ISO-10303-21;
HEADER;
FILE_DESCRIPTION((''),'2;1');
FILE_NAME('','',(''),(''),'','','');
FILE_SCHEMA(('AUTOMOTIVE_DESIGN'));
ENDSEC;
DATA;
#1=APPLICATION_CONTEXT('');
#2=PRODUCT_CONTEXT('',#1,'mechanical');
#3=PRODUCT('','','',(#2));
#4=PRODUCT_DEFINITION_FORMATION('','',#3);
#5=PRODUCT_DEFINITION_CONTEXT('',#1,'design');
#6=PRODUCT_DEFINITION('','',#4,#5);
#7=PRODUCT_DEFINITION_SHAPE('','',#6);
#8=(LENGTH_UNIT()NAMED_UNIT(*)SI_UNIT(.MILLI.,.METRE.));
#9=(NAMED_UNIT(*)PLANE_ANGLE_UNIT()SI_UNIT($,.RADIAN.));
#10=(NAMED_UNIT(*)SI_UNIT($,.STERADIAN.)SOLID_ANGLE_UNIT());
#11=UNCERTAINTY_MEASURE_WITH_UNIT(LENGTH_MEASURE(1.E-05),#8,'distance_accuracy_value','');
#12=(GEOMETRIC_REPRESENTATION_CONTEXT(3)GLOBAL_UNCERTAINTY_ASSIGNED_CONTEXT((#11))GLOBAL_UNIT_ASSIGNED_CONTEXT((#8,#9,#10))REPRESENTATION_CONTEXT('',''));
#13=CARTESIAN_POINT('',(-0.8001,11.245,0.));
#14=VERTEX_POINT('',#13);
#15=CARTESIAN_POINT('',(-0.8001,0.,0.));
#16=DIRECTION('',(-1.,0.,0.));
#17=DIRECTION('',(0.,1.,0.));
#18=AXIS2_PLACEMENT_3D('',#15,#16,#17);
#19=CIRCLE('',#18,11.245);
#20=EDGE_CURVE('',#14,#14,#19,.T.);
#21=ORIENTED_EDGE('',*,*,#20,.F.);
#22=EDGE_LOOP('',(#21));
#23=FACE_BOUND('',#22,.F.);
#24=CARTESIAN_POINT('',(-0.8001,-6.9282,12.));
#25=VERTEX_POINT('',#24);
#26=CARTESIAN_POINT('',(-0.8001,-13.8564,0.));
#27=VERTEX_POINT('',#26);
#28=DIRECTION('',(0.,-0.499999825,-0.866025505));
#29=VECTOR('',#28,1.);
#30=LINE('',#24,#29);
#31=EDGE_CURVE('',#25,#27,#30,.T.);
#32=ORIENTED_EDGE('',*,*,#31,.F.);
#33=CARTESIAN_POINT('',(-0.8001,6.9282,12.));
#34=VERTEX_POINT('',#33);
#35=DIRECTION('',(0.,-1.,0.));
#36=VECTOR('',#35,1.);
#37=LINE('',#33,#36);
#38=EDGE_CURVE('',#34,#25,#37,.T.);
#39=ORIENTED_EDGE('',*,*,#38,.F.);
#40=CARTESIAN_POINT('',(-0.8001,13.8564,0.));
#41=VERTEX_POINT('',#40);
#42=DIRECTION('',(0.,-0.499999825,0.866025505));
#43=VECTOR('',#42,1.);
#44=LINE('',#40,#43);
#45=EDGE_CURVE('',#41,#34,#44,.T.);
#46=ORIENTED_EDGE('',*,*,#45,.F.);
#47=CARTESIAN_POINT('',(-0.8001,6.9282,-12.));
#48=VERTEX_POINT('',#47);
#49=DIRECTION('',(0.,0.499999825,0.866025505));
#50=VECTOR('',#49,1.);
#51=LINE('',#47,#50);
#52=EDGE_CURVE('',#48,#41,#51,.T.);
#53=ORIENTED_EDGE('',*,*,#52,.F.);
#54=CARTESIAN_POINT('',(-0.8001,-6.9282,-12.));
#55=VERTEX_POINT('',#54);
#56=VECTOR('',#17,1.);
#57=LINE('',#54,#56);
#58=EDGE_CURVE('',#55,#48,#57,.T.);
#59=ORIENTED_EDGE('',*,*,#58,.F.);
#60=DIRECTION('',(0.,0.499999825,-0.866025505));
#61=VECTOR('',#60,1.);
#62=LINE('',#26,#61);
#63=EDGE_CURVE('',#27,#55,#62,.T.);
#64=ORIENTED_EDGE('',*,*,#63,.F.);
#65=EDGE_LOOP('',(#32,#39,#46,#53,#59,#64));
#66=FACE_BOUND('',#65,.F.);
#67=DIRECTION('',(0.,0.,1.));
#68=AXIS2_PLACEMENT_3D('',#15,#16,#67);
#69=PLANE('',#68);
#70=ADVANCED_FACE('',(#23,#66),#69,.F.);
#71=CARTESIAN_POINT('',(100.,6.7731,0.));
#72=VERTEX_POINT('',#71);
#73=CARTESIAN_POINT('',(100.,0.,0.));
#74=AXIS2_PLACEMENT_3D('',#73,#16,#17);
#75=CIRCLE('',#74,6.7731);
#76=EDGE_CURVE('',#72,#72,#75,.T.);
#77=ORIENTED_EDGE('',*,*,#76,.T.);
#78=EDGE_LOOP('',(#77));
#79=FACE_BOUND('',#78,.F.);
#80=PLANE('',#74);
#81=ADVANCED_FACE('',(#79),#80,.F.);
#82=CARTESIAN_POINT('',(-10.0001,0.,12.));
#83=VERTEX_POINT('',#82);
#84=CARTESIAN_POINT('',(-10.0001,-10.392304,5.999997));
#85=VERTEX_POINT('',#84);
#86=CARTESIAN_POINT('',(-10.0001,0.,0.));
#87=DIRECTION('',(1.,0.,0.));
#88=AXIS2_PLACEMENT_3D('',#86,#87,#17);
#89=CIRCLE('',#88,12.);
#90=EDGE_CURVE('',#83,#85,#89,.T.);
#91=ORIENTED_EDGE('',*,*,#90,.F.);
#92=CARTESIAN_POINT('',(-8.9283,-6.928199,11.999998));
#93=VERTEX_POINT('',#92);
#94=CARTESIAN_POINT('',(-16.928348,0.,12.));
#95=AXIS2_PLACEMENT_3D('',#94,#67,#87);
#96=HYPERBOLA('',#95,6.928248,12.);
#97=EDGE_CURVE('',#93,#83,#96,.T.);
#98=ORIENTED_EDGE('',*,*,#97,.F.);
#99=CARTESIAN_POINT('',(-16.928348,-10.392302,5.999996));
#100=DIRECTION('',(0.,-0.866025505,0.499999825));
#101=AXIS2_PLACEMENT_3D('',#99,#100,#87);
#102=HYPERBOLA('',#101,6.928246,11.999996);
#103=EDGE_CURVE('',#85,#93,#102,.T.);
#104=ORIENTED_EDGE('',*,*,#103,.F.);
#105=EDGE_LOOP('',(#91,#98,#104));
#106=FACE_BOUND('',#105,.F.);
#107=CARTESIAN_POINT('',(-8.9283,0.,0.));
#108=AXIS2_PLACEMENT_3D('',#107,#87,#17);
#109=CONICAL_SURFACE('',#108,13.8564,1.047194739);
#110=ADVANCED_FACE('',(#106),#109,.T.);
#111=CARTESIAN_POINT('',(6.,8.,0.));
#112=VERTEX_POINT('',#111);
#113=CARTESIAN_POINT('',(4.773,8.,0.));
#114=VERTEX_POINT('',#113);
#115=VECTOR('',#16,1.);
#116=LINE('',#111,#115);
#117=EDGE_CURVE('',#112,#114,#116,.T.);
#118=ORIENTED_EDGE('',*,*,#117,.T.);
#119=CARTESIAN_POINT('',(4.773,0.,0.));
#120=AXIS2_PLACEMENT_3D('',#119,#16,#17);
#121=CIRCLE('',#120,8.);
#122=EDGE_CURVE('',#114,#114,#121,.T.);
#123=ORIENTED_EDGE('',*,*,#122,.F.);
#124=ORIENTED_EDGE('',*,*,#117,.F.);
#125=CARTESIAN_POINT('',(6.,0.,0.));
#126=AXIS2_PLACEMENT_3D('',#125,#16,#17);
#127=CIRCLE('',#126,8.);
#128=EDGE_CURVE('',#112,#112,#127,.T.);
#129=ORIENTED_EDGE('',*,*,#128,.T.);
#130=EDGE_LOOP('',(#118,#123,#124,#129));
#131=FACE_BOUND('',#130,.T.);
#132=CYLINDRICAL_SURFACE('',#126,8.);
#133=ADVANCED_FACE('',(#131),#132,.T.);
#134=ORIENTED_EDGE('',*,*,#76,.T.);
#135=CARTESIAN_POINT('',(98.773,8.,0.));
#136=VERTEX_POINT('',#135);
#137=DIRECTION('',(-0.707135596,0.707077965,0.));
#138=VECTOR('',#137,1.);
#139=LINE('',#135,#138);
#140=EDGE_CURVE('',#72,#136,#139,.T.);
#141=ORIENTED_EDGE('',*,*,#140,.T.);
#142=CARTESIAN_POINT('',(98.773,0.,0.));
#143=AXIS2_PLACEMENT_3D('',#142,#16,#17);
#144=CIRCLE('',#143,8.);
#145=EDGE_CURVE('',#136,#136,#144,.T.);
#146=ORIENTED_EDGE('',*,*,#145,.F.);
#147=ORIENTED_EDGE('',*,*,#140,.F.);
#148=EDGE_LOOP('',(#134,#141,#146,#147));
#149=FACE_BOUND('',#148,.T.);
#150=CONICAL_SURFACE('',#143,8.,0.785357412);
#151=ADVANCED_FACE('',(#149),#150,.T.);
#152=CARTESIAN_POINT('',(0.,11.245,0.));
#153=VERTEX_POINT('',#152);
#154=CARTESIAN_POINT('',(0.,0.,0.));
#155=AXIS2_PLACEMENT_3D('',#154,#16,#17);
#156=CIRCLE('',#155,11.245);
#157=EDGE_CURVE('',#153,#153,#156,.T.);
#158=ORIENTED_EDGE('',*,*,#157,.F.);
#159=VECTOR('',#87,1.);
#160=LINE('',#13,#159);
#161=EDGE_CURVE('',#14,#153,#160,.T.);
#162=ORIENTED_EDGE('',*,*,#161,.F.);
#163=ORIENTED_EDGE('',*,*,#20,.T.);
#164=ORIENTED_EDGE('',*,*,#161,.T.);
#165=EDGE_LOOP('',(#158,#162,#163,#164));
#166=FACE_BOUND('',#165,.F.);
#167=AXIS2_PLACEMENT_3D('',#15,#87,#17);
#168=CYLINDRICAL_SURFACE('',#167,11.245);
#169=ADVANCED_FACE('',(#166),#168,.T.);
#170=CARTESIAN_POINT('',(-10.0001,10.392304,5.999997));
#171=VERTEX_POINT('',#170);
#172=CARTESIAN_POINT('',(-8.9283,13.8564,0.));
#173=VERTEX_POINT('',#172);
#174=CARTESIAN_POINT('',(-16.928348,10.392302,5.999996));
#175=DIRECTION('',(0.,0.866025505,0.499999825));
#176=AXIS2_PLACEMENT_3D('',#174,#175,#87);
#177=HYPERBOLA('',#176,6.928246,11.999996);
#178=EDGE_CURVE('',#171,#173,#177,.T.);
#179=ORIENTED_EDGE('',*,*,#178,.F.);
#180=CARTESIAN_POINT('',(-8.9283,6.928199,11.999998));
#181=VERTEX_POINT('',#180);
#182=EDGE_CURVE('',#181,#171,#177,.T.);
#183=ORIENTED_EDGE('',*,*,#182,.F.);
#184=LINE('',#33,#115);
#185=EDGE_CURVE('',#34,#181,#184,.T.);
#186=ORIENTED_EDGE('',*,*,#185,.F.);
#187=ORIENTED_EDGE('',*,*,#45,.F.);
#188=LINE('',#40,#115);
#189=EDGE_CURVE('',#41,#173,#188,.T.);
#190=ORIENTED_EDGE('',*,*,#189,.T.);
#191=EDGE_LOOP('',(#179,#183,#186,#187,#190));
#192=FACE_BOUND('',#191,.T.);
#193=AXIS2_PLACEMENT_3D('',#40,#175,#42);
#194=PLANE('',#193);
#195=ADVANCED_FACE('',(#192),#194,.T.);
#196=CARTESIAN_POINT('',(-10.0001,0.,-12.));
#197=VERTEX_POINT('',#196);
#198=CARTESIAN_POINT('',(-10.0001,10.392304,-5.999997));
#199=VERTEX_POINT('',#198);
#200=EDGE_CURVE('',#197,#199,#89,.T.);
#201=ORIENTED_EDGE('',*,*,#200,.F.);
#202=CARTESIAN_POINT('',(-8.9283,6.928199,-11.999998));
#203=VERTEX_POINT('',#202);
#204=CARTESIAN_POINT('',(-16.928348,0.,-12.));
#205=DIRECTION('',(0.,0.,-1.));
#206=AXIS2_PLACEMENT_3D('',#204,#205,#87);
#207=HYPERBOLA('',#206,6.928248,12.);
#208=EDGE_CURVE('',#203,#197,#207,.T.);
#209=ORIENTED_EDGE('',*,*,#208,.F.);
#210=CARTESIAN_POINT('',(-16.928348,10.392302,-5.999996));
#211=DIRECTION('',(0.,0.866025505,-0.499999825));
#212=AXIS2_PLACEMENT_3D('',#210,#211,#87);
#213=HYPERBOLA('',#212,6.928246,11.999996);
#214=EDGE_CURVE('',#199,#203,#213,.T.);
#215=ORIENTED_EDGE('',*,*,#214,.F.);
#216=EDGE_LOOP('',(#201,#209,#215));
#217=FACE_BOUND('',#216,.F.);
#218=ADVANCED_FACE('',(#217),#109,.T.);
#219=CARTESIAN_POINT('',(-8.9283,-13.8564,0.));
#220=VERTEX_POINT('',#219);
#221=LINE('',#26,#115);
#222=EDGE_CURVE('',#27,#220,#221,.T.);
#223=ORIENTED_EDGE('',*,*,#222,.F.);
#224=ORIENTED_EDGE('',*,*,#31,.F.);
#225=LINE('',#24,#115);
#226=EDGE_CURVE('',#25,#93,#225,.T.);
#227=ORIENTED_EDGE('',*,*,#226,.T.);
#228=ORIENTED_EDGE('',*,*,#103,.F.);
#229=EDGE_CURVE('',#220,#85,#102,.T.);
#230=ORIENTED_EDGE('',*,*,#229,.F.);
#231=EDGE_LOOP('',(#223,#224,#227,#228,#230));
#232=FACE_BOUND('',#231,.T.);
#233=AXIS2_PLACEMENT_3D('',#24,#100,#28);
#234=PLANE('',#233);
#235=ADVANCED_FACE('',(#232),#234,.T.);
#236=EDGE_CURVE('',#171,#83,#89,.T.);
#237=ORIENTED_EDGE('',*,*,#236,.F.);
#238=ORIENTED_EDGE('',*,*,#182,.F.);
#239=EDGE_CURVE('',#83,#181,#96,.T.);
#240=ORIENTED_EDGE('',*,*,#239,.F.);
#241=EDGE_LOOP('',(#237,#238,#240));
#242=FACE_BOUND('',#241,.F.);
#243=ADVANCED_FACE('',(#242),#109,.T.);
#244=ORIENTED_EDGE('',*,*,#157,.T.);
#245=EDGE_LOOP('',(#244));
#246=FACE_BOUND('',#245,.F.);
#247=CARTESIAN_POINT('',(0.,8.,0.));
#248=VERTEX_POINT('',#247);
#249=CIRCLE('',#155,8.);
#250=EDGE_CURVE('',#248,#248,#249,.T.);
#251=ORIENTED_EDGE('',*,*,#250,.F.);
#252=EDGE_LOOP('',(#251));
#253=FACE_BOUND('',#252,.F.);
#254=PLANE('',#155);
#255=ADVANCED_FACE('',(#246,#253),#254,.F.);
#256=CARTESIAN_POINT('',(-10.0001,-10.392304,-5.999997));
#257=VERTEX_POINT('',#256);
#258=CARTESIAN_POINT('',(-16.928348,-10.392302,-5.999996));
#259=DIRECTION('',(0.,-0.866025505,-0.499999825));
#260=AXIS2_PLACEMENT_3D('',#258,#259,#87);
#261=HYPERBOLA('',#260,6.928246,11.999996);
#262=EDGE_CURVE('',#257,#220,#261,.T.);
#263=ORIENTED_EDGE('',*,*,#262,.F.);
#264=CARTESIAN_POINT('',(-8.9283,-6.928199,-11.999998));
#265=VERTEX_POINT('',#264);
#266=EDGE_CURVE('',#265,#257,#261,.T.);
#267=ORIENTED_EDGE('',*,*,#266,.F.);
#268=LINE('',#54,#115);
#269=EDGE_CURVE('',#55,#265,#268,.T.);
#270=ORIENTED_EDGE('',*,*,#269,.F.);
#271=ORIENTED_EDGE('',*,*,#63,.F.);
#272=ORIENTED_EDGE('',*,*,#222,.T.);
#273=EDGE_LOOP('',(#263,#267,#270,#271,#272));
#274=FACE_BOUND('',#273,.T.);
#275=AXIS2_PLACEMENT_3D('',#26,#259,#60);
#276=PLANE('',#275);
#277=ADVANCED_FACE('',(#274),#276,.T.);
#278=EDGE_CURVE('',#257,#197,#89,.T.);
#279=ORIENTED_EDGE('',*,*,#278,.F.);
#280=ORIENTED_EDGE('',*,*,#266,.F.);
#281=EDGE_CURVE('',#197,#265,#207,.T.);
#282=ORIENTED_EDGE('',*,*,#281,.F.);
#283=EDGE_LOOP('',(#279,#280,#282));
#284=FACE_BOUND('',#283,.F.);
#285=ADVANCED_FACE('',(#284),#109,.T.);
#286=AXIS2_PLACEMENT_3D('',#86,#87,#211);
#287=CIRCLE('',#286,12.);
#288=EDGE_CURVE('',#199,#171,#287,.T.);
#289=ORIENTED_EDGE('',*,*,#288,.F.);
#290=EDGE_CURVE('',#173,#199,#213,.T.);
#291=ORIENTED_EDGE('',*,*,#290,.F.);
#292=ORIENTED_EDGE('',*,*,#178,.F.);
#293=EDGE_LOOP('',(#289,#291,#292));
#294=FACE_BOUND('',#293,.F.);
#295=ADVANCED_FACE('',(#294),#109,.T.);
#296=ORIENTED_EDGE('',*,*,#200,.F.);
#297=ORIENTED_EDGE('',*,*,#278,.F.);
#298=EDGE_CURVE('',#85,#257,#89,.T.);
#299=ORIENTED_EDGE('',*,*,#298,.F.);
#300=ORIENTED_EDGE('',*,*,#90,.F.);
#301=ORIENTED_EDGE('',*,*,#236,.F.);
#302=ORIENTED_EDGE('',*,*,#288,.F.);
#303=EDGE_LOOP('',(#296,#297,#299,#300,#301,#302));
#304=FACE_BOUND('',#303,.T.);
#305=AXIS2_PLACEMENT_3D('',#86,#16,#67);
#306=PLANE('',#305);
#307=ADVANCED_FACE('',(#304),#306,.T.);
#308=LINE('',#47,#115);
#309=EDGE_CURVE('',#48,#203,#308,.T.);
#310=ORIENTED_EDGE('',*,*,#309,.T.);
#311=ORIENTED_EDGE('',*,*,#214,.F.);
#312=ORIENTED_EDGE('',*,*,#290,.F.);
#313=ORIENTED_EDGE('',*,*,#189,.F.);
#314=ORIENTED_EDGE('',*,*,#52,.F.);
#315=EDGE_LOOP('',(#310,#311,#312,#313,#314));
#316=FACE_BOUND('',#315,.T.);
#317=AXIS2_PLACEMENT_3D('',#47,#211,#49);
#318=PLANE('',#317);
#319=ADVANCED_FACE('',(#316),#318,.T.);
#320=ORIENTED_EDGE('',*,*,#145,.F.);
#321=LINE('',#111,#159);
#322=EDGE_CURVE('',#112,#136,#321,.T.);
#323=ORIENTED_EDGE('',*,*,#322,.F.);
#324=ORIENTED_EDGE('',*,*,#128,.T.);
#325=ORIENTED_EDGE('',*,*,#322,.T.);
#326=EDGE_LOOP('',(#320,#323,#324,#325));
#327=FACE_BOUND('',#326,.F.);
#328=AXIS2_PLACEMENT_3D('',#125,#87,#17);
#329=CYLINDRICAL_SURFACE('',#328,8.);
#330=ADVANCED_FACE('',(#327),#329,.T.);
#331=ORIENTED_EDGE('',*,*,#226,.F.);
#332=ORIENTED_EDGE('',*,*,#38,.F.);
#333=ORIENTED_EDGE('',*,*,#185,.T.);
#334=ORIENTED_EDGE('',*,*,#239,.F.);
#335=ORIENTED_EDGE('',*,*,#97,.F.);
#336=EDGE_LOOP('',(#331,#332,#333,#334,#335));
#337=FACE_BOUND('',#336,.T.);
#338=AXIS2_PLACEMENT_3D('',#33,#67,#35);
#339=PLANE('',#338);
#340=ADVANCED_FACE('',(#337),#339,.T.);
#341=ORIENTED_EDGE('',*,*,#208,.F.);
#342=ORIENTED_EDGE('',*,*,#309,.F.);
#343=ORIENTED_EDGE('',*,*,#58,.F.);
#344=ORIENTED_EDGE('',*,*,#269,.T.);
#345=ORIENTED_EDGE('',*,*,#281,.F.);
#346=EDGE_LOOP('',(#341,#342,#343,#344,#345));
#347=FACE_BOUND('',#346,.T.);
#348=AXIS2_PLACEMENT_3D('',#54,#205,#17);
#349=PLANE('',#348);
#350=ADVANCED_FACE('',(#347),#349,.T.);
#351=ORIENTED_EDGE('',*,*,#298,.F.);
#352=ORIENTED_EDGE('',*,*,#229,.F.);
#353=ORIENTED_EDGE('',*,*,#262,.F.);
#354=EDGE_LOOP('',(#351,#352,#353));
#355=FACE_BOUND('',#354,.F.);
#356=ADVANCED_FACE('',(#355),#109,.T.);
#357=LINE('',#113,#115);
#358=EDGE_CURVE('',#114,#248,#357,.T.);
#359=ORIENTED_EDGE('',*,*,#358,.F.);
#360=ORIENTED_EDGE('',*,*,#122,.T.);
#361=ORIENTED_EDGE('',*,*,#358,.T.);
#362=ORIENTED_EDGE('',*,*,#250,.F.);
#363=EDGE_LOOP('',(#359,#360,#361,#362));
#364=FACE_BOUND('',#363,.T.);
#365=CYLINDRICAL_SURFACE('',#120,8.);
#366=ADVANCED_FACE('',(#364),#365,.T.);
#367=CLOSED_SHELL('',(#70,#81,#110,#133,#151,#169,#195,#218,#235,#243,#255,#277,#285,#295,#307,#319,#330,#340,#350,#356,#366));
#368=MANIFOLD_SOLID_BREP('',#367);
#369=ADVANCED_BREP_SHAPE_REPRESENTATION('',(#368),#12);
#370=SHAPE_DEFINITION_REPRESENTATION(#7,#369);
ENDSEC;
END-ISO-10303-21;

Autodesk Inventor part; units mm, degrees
ref_plane "YZ Plane" through (0, 0, 0) normal (1, 0, 0) x (0, 1, 0)
ref_plane "XZ Plane" through (0, 0, 0) normal (0, 1, 0) x (-1, 0, 0)
sketch "Sketch1" plane through (0, 0, 0) normal (0, 0, 1) x (1, 0, 0)
  line L0 (0, 11.245) -> (0, 8)
  line L1 (6, 8) -> (100, 8)
  line L2 (100, 8) -> (100, 0)
  line L3 (100, 0) -> (-0.8001, 0)
  line L4 (-20.9601, 0) -> (120.16, 0) projected
  line L5 (-0.8001, 0) -> (-0.8001, 11.245)
  line L6 (-0.8001, 11.245) -> (0, 11.245)
  line L7 (6, 8) -> (4.773, 8)
  line L8 (4.773, 8) -> (0, 8)
  line L9 (0, -2.249) -> (0, 13.494) projected
  dimension "d0" = 100
  dimension "d1" = 94
  dimension "d2" = 16
  dimension "d9" = 0.8001
  dimension "d10" = 22.49
  dimension "d13" = 1.227
  dimension "d14" = 16
revolve "Body" add sketch "Sketch1" angle 360 about axis through (100, 0, 0) along (-1, 0, 0)
sketch "Sketch2" plane through (-0.8001, 0, 0) normal (-1, 0, 0) x (0, 0, 1)
  line L0 (0, 13.8564) -> (12, 6.9282)
  line L1 (12, 6.9282) -> (12, -6.9282)
  line L2 (12, -6.9282) -> (0, -13.8564)
  line L3 (0, -13.8564) -> (-12, -6.9282)
  line L4 (-12, -6.9282) -> (-12, 6.9282)
  line L5 (-12, 6.9282) -> (0, 13.8564)
  point P0 (0, 0)
  point P1 (0, 0)
  dimension "d11" = 24
extrude "Head" add sketch "Sketch2" along normal blind 9.2
sketch "Sketch4" plane through (0, 0, 0) normal (0, 0, 1) x (1, 0, 0)
  line L0 (-10.0001, 12) -> (-10.0001, 13.8564)
  line L1 (-10.0001, 13.8564) -> (-8.9283, 13.8564)
  line L2 (-8.9283, 13.8564) -> (-10.0001, 12)
  line L3 (-11.8401, 0) -> (1.0399, 0) projected
  line L4 (-0.8001, 13.8564) -> (-10.0001, 13.8564) projected
  line L5 (-10.0001, 6.9282) -> (-10.0001, 13.8564) projected
  dimension "d5" = 30
  dimension "d19" = 24
revolve "Chamfer1" cut sketch "Sketch4" angle 360 about axis through (-10, 0, 0) along (1, 0, 0)
thread "Thread" size "M16x2" class "6g" standard "ISO Metric profile" length 94
chamfer "Chamfer2" distance 1.2269 distance2 1.227 1 edges at (100, -8, 0) measured on face at (100, -0.9456, 1.8959)
ref_plane "Work Plane1" through (1.525, 0, 0) normal (0, 0, 1) x (1, 0, 0)
equation "\"d0\" = NLG"
equation "\"d1\" = GEL"
equation "\"d2\" = GD"
equation "\"d10\" = SD2"
equation "\"d14\" = BDM"
equation "\"d11\" = SW"
equation "\"d3\" = KOH - SD"
equation "\"d5\" = ANG1"
equation "\"d19\" = SW0"
equation "\"d15\" = GEL"
equation "\"d6\" = -0.5 * SPD + 0.5 * GD"
equation "\"NLG\" = 100"
equation "\"GD\" = NND"
equation "\"BDM\" = NND"
equation "\"KOH\" = 10"
equation "\"GEL\" = 94"
equation "\"SW\" = 24"
equation "\"SW0\" = SW"
equation "\"SPD\" = NND - 1.2269 * PTC"
equation "\"SD2\" = 22.49"
equation "\"SD\" = 0.8"
equation "\"ANG1\" = 30deg"
equation "\"GAL\" = 0.61345 * PTC"
equation "\"GUL\" = 0.61345 * PTC"
equation "\"RR\" = 0.6"
equation "\"GD1\" = THREADDIA - 1.2269 * PTC"
equation "\"THREADDIA\" = 16"
equation "\"SDH\" = SD2"
equation "\"SDHG\" = 6"
equation "\"TOA\" = 30deg"
equation "\"PTC\" = 2"
equation "\"NND\" = 16"
equation "\"E0\" = 27.72"
properties part number "ISO 4017 - M16 x 100" material "Steel, Mild"
